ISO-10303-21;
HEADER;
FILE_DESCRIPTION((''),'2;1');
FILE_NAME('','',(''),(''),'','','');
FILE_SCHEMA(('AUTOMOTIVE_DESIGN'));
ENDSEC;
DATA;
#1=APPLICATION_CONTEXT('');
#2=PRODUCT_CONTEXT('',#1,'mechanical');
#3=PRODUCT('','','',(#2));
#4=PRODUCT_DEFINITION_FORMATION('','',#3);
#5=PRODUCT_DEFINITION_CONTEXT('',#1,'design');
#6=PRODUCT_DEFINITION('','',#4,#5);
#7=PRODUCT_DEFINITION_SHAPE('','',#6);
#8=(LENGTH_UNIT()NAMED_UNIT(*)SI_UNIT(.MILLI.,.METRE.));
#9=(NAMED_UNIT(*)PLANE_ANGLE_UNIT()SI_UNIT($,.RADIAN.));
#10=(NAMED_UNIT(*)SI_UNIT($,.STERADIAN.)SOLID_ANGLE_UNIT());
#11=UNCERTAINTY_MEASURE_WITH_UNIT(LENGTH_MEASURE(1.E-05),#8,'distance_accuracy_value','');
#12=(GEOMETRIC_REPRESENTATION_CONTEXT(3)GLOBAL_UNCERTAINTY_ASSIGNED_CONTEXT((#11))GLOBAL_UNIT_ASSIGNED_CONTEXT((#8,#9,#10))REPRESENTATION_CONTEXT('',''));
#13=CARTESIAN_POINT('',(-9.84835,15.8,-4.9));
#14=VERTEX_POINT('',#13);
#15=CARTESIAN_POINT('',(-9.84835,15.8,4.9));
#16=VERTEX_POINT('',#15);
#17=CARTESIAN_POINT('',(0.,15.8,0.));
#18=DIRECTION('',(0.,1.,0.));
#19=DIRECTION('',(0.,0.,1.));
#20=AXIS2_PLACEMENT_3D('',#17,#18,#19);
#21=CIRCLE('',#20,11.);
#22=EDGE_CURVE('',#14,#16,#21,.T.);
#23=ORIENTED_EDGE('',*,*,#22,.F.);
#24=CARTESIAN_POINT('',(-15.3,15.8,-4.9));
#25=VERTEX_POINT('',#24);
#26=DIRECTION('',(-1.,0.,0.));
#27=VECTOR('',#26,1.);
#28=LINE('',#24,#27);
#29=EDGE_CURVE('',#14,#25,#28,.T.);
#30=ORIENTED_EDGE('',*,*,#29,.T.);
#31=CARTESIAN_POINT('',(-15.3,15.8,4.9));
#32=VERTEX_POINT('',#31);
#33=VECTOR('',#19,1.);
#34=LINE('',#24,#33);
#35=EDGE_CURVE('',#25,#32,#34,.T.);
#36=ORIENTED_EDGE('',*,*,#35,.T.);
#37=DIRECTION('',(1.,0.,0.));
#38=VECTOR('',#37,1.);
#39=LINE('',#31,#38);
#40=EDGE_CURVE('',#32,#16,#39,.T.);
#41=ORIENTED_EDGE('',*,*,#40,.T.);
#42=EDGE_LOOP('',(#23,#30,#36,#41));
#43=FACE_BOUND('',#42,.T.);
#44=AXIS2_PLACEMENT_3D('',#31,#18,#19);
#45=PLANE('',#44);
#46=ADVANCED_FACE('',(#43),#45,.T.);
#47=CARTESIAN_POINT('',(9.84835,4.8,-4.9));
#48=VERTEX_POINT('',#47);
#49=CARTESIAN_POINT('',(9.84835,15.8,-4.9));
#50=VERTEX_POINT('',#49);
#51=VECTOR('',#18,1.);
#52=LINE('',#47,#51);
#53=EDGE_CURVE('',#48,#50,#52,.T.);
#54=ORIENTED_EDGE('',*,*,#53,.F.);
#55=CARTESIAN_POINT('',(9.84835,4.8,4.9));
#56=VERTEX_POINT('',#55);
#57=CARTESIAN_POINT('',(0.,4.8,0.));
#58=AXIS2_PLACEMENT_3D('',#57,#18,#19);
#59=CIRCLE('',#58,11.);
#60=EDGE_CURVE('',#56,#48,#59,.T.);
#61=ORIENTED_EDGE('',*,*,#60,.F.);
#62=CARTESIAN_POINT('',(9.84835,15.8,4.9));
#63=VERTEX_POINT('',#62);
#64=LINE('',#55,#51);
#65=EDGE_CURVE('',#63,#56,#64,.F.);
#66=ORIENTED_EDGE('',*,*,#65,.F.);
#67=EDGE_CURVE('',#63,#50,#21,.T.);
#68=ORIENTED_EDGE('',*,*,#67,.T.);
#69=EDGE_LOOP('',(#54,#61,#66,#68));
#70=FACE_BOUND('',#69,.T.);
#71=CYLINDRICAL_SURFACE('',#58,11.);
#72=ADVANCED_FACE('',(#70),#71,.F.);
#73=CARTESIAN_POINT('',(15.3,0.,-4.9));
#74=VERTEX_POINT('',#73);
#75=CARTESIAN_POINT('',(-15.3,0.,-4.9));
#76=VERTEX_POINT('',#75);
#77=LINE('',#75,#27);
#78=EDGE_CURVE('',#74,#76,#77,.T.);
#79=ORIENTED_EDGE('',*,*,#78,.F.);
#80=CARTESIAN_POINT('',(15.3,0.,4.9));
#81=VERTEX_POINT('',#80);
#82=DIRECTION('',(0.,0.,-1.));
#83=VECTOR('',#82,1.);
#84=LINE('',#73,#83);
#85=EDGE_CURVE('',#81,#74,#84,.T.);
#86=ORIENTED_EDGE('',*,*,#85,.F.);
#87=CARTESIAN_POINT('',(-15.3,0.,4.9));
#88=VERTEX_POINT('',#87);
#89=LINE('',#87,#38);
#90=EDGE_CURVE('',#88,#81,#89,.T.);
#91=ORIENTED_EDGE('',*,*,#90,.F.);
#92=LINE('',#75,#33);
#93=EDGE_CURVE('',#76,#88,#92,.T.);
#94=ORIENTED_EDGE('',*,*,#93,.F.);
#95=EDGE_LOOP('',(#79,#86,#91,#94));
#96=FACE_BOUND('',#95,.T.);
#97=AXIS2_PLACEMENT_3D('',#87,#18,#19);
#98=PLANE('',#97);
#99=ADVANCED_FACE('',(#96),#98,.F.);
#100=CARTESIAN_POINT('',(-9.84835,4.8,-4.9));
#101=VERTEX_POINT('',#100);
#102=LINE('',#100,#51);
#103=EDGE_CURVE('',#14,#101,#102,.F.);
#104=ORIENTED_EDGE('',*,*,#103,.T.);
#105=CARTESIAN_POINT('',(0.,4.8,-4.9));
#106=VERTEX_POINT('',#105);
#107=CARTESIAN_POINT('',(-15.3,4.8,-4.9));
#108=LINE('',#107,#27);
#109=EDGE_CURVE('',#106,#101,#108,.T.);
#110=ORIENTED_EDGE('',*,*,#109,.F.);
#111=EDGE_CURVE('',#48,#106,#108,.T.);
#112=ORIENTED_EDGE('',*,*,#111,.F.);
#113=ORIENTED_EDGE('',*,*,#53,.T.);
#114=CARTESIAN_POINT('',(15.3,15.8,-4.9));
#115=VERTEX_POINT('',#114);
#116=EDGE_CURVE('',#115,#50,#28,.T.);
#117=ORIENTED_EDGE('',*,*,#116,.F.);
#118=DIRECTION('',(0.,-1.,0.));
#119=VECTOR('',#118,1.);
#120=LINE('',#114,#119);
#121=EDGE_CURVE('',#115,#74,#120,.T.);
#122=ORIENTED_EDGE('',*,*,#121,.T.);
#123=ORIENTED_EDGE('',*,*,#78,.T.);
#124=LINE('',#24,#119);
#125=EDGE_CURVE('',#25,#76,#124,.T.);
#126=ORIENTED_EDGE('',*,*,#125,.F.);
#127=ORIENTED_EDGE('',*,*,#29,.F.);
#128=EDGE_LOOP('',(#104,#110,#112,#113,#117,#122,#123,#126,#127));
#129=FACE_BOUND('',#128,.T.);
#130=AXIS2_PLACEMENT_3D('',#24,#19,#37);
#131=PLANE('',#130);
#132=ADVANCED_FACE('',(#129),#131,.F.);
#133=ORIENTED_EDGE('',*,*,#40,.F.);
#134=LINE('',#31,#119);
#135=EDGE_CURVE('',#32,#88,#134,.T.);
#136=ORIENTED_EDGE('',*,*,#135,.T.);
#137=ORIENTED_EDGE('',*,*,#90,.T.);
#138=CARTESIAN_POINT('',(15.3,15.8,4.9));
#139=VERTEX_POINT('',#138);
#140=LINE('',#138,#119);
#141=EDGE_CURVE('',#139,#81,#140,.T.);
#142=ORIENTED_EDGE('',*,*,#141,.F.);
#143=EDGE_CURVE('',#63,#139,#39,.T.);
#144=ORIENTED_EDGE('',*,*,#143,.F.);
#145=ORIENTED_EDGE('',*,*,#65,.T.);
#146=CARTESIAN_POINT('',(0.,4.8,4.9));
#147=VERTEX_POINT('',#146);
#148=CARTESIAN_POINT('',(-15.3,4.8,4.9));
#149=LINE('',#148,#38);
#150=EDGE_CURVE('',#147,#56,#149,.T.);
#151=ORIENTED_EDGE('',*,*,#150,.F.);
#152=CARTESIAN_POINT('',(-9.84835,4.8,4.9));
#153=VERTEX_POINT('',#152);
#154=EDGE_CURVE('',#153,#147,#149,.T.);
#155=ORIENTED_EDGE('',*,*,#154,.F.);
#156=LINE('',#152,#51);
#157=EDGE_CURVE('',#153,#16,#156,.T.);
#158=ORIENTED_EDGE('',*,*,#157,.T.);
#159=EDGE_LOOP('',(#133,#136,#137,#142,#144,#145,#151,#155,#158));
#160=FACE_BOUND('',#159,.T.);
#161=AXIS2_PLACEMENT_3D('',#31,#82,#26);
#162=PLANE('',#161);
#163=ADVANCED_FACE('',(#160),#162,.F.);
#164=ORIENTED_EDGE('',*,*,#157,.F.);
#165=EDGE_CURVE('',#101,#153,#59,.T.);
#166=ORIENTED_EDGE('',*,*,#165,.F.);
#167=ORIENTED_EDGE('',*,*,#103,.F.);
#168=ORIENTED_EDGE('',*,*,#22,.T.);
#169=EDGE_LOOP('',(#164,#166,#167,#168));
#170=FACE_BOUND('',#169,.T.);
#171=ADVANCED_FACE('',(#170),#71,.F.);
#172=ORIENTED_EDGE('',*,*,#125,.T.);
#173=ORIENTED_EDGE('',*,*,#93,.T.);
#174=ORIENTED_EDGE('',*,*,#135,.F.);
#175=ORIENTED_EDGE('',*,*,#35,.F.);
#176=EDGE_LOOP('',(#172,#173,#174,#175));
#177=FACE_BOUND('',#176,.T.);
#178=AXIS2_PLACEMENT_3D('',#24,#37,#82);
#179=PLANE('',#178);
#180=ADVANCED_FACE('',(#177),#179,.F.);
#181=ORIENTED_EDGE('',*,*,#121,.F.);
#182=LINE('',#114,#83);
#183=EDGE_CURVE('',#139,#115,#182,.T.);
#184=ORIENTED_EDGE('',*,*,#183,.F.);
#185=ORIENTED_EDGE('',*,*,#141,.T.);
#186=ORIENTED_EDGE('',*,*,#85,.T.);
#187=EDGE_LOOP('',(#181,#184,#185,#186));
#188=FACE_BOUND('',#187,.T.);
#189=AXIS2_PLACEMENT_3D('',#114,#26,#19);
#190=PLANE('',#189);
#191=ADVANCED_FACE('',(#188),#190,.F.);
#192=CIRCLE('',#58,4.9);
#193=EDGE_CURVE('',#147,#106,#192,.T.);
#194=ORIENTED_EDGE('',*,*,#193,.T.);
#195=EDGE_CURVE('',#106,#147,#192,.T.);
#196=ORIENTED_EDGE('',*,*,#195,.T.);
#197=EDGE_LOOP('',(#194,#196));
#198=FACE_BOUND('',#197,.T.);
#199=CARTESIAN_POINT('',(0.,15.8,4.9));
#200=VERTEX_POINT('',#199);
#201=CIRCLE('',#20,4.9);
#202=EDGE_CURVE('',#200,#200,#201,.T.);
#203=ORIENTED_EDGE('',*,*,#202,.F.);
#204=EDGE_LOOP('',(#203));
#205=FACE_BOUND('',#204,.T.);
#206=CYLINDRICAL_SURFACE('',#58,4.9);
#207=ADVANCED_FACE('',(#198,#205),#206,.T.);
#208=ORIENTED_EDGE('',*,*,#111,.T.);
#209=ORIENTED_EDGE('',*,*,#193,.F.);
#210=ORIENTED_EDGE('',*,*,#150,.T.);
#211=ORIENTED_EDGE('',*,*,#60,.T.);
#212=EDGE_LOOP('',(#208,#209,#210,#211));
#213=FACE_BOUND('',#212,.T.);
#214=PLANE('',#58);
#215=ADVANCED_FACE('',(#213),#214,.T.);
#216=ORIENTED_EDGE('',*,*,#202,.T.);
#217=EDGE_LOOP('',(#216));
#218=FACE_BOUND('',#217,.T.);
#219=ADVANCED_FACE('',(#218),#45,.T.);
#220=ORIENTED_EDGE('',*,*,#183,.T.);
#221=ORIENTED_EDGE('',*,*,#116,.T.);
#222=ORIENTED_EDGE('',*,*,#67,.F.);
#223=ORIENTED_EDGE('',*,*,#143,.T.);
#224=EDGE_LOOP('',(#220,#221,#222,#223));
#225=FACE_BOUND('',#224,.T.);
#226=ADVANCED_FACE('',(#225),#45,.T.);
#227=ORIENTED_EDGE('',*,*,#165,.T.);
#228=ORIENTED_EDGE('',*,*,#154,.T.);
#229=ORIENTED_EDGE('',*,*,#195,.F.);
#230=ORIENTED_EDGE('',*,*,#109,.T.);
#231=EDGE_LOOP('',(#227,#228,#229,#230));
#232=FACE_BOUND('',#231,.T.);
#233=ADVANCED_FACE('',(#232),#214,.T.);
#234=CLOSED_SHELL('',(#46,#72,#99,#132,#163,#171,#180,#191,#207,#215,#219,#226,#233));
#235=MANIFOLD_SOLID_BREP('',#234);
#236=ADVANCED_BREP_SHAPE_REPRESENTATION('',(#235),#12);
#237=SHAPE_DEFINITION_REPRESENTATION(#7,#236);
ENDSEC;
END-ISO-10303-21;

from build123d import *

# Parameters (mm, degrees)
SKETCH1_W          = 30.6
SKETCH1_H          = 9.8
BASE_EXTRUDE_DEPTH = 15.8
SKETCH2_R          = 11
SKETCH2_R_2        = 4.9
CUT_EXTRUDE1_DEPTH = 11


with BuildPart() as part:
    # Sketch1 → Base-Extrude (new body)
    with BuildSketch(Plane(origin=(0, 0, 0), x_dir=(1, 0, 0), z_dir=(0, 1, 0))):
        Rectangle(SKETCH1_W, SKETCH1_H)
    extrude(amount=BASE_EXTRUDE_DEPTH)

    # Sketch2 → Cut-Extrude1 (cut)
    with BuildSketch(Plane(origin=(0, 15.8, 0), x_dir=(-1, 0, 0), z_dir=(0, 1, 0))):
        Circle(SKETCH2_R)
        with Locations(Location((0, 0, 0), (0, 0, 90))):
            Circle(SKETCH2_R_2, mode=Mode.SUBTRACT)
    extrude(amount=-CUT_EXTRUDE1_DEPTH, mode=Mode.SUBTRACT)


solid = part.part
